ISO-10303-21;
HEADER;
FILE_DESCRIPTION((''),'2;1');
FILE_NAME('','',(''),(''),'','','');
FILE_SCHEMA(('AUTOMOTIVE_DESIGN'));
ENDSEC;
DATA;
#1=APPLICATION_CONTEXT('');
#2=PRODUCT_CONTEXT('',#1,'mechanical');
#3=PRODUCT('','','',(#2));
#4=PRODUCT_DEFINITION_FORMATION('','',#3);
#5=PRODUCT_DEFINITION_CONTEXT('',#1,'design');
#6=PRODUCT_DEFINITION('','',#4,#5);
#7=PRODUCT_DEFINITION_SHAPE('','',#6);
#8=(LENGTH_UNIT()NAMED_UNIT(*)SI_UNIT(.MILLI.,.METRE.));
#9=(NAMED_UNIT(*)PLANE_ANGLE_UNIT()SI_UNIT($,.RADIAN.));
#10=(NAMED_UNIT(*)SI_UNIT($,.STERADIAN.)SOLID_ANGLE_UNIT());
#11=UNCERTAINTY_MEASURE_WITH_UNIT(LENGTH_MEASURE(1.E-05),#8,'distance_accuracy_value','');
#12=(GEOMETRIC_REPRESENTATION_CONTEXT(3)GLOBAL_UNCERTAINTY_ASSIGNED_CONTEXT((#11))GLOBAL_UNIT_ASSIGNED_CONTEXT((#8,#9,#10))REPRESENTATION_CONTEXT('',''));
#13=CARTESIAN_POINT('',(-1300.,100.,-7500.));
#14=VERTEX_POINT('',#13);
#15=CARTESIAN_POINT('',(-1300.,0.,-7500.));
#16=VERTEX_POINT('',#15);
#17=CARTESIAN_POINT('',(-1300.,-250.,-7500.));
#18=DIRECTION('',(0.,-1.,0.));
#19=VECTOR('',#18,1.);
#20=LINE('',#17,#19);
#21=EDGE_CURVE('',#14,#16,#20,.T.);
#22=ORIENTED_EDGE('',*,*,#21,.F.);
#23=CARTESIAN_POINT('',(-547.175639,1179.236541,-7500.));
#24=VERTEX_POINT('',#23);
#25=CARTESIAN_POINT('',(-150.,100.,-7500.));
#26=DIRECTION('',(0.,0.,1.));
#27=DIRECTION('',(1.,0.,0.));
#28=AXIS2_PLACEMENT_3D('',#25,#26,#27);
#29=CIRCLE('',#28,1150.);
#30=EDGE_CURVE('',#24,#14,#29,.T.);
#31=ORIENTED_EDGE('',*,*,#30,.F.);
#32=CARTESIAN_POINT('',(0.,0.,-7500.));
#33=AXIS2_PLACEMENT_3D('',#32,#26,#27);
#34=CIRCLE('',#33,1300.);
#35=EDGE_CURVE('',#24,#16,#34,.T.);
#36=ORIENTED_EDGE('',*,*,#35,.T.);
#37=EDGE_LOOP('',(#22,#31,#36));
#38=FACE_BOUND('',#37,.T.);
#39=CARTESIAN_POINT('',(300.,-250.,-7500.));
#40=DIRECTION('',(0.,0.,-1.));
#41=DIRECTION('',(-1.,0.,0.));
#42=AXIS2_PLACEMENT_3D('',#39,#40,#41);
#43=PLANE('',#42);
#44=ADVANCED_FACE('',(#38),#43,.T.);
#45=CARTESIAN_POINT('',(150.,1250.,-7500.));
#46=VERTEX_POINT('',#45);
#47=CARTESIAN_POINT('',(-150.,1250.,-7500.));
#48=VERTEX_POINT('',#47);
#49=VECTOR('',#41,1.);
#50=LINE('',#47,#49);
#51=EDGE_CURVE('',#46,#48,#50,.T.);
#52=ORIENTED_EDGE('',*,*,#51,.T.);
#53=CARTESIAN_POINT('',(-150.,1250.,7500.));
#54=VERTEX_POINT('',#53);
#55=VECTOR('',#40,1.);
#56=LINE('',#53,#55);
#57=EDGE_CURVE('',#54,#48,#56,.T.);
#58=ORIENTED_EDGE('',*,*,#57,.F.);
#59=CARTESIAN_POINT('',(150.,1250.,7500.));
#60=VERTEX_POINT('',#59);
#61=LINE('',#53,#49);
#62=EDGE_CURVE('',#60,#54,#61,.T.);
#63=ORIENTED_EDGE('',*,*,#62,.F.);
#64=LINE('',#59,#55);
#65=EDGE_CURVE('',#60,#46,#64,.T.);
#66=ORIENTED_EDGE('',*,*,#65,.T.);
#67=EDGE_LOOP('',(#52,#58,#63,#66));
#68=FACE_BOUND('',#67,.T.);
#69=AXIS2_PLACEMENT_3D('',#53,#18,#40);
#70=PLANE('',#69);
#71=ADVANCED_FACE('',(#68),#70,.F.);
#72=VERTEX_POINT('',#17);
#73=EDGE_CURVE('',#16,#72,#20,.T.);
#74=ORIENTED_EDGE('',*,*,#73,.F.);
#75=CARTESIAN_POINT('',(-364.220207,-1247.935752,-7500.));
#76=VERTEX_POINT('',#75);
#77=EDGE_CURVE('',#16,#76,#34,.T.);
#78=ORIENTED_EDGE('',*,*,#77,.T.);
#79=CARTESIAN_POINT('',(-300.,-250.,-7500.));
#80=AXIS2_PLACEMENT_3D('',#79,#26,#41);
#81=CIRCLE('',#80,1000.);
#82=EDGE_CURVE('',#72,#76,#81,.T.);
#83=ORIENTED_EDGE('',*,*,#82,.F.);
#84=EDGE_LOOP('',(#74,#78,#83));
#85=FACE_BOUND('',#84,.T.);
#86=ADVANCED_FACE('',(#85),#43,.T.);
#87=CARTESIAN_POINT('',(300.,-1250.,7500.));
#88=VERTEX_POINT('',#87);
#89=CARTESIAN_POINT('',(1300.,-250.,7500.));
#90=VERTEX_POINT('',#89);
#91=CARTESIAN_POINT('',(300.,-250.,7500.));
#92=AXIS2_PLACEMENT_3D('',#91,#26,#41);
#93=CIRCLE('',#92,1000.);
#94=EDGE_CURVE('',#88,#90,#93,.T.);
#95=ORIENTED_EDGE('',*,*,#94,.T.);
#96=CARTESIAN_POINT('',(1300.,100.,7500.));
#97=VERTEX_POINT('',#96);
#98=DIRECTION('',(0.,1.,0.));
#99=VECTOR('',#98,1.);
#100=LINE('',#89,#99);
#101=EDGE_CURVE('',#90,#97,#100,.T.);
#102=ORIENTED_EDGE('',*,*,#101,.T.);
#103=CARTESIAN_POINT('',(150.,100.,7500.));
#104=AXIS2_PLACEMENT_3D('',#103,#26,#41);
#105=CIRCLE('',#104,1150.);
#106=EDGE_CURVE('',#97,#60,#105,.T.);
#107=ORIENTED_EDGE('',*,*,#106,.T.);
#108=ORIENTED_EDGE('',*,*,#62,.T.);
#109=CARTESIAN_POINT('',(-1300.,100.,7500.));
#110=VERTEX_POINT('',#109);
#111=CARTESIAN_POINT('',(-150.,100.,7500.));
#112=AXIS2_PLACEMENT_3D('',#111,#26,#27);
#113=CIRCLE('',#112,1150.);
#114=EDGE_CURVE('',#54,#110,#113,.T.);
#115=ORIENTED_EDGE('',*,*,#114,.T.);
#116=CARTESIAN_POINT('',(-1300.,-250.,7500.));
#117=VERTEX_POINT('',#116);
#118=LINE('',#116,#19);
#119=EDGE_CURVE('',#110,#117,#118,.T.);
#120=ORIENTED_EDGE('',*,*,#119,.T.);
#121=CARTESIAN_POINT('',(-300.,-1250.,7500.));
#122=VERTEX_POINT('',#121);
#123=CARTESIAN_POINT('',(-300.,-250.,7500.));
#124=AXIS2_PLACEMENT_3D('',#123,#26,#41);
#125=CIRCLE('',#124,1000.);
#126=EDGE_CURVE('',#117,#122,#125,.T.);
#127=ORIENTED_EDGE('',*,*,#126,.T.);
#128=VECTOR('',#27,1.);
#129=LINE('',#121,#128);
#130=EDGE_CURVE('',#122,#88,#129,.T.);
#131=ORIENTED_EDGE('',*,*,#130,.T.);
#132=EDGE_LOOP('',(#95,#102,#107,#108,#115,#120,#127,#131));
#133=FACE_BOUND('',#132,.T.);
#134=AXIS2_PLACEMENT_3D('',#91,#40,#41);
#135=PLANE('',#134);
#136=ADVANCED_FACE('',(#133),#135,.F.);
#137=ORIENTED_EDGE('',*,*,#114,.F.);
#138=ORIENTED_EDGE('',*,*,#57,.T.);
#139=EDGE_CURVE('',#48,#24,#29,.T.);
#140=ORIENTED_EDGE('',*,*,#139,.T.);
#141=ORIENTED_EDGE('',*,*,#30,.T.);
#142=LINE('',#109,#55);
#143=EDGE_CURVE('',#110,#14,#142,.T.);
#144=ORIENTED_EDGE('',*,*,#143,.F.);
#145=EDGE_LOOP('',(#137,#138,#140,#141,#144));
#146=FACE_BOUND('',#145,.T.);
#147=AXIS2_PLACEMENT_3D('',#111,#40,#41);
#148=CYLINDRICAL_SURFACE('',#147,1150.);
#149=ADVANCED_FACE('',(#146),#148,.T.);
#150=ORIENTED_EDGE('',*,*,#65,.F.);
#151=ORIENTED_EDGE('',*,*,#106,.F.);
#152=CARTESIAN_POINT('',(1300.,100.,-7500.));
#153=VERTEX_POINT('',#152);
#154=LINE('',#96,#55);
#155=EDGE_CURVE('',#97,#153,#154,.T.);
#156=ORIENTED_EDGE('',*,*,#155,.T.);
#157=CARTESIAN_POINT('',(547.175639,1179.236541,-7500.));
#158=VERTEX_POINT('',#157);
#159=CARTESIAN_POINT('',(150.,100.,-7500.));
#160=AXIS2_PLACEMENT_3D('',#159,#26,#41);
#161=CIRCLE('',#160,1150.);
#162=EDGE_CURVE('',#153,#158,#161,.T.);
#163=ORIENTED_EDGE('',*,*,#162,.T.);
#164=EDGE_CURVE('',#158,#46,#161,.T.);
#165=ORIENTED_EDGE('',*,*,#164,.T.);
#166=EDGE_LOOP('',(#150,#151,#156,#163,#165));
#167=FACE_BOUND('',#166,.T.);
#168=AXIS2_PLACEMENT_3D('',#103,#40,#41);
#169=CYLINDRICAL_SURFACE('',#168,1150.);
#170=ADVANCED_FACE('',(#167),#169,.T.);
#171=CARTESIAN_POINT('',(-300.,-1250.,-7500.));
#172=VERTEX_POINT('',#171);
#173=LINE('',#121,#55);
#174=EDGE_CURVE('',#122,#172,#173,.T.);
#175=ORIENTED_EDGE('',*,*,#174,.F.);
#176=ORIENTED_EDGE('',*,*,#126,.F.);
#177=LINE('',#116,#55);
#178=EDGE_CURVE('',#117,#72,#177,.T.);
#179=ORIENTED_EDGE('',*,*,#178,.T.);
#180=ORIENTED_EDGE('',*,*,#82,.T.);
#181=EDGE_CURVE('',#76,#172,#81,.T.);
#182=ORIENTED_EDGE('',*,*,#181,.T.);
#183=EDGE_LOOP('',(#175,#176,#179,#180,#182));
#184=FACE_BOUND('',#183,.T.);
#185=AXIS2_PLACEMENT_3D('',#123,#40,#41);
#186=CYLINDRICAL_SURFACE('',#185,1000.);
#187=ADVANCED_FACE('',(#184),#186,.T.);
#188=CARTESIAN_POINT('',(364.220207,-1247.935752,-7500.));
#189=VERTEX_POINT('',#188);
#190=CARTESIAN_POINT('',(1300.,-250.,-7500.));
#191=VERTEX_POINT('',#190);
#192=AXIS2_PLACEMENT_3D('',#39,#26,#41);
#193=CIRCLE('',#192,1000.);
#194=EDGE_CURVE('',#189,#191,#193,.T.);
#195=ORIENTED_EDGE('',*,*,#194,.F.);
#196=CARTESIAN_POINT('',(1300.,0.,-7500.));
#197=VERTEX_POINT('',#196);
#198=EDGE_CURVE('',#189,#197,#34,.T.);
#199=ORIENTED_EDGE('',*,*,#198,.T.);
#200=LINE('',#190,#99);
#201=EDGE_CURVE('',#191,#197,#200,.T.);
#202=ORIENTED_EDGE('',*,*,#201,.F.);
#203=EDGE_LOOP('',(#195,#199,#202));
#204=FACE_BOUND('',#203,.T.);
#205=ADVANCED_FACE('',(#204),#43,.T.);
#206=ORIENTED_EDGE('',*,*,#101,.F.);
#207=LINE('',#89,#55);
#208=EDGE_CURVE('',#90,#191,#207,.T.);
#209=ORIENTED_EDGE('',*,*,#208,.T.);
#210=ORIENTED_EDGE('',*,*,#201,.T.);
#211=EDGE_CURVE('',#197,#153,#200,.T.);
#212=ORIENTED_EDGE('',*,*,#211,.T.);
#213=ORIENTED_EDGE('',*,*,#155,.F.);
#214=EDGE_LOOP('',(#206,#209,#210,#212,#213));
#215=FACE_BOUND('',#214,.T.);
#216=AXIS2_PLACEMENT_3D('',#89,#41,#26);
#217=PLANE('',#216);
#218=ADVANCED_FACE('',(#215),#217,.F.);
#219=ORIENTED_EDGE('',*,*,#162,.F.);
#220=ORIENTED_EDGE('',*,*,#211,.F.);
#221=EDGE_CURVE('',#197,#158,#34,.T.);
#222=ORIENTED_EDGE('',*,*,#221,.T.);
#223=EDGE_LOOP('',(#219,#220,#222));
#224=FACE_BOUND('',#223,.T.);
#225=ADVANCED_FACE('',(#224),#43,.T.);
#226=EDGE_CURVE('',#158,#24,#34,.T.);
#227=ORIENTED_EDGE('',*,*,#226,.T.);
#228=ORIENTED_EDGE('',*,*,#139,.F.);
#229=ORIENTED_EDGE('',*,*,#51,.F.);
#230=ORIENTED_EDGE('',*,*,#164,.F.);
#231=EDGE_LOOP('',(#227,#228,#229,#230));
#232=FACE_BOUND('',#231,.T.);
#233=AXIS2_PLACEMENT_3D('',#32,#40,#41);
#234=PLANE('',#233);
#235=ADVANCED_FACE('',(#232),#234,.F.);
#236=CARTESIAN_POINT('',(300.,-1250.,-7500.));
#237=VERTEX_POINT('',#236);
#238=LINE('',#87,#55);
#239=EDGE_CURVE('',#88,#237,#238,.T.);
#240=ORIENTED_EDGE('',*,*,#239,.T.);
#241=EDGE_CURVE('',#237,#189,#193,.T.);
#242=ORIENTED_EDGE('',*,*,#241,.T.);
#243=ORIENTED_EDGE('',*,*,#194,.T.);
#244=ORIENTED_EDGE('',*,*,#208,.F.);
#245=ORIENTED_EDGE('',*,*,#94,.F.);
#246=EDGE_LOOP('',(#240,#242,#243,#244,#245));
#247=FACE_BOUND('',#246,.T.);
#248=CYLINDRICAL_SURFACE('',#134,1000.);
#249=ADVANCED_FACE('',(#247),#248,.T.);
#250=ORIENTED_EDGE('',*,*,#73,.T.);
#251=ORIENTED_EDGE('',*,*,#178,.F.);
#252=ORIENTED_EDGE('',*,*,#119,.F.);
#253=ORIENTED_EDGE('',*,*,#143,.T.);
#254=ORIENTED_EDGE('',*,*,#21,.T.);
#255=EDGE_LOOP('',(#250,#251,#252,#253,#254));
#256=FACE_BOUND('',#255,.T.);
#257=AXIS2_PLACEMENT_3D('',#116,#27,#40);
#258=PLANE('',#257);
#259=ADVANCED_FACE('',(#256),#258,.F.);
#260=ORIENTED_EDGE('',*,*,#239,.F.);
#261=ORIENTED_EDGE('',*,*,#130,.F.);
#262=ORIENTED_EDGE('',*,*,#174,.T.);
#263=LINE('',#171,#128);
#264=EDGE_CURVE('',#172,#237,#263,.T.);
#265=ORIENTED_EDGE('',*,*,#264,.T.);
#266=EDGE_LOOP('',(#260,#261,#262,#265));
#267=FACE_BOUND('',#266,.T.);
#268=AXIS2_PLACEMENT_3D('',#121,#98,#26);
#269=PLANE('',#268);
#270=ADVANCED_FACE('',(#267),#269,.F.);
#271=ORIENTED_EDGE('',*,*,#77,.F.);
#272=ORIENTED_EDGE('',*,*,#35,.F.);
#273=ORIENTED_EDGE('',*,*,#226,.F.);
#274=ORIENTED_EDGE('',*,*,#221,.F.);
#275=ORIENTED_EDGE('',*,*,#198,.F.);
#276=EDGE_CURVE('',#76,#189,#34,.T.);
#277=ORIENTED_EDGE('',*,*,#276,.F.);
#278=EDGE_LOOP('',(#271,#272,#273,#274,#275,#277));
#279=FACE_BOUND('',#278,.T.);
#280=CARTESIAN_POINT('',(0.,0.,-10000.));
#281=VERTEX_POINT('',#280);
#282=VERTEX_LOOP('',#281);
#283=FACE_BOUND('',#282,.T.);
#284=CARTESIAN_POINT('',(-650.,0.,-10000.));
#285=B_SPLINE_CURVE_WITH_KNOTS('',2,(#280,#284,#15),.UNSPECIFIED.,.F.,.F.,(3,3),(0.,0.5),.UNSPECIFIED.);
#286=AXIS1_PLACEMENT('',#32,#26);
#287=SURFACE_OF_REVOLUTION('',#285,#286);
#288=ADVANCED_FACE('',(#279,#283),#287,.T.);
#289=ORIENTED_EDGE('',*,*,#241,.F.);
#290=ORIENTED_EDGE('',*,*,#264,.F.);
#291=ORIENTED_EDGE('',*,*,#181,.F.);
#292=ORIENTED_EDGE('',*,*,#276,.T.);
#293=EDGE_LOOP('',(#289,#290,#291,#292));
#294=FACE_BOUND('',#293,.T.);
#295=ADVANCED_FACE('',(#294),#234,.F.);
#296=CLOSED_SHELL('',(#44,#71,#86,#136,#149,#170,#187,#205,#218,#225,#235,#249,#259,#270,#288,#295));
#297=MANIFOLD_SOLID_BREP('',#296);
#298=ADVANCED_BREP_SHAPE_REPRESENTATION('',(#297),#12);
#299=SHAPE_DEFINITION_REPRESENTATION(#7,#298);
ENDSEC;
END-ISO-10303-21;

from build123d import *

# Parameters (mm, degrees)
BOSS_EXTRUDE1_DEPTH = 7500


with BuildPart() as part:
    # Sketch1 → Boss-Extrude1 (new, symmetric)
    with BuildSketch(Plane.XY):
        with BuildLine():
            Line((-300, -1250), (300, -1250))
            ThreePointArc((300, -1250), (1007.106781187, -957.106781187), (1300, -250))
            Line((1300, -250), (1300, 100))
            ThreePointArc((1300, 100), (963.172798365, 913.172798365), (150, 1250))
            Line((150, 1250), (-150, 1250))
            ThreePointArc((-150, 1250), (-963.172798365, 913.172798365), (-1300, 100))
            Line((-1300, 100), (-1300, -250))
            ThreePointArc((-1300, -250), (-1007.106781187, -957.106781187), (-300, -1250))
        make_face()
    extrude(amount=BOSS_EXTRUDE1_DEPTH, both=True)

    # Sketch2 → Revolve1 (revolve)
    with BuildSketch(Plane(origin=(0, 0, 0), x_dir=(1, 0, 0), z_dir=(0, 1, 0))):
        with BuildLine():
            Line((0, 7500), (-1300, 7500))
            add(Edge.make_bspline(
                [(-1300, 7500), (-650, 10000), (0, 10000)],
                knots=[0, 0, 0, 0.5, 0.5, 0.5], degree=2))
            Line((0, 10000), (0, 7500))
        make_face()
    revolve(axis=Axis((0, 0, -7500), (0, 0, -1)))


solid = part.part
